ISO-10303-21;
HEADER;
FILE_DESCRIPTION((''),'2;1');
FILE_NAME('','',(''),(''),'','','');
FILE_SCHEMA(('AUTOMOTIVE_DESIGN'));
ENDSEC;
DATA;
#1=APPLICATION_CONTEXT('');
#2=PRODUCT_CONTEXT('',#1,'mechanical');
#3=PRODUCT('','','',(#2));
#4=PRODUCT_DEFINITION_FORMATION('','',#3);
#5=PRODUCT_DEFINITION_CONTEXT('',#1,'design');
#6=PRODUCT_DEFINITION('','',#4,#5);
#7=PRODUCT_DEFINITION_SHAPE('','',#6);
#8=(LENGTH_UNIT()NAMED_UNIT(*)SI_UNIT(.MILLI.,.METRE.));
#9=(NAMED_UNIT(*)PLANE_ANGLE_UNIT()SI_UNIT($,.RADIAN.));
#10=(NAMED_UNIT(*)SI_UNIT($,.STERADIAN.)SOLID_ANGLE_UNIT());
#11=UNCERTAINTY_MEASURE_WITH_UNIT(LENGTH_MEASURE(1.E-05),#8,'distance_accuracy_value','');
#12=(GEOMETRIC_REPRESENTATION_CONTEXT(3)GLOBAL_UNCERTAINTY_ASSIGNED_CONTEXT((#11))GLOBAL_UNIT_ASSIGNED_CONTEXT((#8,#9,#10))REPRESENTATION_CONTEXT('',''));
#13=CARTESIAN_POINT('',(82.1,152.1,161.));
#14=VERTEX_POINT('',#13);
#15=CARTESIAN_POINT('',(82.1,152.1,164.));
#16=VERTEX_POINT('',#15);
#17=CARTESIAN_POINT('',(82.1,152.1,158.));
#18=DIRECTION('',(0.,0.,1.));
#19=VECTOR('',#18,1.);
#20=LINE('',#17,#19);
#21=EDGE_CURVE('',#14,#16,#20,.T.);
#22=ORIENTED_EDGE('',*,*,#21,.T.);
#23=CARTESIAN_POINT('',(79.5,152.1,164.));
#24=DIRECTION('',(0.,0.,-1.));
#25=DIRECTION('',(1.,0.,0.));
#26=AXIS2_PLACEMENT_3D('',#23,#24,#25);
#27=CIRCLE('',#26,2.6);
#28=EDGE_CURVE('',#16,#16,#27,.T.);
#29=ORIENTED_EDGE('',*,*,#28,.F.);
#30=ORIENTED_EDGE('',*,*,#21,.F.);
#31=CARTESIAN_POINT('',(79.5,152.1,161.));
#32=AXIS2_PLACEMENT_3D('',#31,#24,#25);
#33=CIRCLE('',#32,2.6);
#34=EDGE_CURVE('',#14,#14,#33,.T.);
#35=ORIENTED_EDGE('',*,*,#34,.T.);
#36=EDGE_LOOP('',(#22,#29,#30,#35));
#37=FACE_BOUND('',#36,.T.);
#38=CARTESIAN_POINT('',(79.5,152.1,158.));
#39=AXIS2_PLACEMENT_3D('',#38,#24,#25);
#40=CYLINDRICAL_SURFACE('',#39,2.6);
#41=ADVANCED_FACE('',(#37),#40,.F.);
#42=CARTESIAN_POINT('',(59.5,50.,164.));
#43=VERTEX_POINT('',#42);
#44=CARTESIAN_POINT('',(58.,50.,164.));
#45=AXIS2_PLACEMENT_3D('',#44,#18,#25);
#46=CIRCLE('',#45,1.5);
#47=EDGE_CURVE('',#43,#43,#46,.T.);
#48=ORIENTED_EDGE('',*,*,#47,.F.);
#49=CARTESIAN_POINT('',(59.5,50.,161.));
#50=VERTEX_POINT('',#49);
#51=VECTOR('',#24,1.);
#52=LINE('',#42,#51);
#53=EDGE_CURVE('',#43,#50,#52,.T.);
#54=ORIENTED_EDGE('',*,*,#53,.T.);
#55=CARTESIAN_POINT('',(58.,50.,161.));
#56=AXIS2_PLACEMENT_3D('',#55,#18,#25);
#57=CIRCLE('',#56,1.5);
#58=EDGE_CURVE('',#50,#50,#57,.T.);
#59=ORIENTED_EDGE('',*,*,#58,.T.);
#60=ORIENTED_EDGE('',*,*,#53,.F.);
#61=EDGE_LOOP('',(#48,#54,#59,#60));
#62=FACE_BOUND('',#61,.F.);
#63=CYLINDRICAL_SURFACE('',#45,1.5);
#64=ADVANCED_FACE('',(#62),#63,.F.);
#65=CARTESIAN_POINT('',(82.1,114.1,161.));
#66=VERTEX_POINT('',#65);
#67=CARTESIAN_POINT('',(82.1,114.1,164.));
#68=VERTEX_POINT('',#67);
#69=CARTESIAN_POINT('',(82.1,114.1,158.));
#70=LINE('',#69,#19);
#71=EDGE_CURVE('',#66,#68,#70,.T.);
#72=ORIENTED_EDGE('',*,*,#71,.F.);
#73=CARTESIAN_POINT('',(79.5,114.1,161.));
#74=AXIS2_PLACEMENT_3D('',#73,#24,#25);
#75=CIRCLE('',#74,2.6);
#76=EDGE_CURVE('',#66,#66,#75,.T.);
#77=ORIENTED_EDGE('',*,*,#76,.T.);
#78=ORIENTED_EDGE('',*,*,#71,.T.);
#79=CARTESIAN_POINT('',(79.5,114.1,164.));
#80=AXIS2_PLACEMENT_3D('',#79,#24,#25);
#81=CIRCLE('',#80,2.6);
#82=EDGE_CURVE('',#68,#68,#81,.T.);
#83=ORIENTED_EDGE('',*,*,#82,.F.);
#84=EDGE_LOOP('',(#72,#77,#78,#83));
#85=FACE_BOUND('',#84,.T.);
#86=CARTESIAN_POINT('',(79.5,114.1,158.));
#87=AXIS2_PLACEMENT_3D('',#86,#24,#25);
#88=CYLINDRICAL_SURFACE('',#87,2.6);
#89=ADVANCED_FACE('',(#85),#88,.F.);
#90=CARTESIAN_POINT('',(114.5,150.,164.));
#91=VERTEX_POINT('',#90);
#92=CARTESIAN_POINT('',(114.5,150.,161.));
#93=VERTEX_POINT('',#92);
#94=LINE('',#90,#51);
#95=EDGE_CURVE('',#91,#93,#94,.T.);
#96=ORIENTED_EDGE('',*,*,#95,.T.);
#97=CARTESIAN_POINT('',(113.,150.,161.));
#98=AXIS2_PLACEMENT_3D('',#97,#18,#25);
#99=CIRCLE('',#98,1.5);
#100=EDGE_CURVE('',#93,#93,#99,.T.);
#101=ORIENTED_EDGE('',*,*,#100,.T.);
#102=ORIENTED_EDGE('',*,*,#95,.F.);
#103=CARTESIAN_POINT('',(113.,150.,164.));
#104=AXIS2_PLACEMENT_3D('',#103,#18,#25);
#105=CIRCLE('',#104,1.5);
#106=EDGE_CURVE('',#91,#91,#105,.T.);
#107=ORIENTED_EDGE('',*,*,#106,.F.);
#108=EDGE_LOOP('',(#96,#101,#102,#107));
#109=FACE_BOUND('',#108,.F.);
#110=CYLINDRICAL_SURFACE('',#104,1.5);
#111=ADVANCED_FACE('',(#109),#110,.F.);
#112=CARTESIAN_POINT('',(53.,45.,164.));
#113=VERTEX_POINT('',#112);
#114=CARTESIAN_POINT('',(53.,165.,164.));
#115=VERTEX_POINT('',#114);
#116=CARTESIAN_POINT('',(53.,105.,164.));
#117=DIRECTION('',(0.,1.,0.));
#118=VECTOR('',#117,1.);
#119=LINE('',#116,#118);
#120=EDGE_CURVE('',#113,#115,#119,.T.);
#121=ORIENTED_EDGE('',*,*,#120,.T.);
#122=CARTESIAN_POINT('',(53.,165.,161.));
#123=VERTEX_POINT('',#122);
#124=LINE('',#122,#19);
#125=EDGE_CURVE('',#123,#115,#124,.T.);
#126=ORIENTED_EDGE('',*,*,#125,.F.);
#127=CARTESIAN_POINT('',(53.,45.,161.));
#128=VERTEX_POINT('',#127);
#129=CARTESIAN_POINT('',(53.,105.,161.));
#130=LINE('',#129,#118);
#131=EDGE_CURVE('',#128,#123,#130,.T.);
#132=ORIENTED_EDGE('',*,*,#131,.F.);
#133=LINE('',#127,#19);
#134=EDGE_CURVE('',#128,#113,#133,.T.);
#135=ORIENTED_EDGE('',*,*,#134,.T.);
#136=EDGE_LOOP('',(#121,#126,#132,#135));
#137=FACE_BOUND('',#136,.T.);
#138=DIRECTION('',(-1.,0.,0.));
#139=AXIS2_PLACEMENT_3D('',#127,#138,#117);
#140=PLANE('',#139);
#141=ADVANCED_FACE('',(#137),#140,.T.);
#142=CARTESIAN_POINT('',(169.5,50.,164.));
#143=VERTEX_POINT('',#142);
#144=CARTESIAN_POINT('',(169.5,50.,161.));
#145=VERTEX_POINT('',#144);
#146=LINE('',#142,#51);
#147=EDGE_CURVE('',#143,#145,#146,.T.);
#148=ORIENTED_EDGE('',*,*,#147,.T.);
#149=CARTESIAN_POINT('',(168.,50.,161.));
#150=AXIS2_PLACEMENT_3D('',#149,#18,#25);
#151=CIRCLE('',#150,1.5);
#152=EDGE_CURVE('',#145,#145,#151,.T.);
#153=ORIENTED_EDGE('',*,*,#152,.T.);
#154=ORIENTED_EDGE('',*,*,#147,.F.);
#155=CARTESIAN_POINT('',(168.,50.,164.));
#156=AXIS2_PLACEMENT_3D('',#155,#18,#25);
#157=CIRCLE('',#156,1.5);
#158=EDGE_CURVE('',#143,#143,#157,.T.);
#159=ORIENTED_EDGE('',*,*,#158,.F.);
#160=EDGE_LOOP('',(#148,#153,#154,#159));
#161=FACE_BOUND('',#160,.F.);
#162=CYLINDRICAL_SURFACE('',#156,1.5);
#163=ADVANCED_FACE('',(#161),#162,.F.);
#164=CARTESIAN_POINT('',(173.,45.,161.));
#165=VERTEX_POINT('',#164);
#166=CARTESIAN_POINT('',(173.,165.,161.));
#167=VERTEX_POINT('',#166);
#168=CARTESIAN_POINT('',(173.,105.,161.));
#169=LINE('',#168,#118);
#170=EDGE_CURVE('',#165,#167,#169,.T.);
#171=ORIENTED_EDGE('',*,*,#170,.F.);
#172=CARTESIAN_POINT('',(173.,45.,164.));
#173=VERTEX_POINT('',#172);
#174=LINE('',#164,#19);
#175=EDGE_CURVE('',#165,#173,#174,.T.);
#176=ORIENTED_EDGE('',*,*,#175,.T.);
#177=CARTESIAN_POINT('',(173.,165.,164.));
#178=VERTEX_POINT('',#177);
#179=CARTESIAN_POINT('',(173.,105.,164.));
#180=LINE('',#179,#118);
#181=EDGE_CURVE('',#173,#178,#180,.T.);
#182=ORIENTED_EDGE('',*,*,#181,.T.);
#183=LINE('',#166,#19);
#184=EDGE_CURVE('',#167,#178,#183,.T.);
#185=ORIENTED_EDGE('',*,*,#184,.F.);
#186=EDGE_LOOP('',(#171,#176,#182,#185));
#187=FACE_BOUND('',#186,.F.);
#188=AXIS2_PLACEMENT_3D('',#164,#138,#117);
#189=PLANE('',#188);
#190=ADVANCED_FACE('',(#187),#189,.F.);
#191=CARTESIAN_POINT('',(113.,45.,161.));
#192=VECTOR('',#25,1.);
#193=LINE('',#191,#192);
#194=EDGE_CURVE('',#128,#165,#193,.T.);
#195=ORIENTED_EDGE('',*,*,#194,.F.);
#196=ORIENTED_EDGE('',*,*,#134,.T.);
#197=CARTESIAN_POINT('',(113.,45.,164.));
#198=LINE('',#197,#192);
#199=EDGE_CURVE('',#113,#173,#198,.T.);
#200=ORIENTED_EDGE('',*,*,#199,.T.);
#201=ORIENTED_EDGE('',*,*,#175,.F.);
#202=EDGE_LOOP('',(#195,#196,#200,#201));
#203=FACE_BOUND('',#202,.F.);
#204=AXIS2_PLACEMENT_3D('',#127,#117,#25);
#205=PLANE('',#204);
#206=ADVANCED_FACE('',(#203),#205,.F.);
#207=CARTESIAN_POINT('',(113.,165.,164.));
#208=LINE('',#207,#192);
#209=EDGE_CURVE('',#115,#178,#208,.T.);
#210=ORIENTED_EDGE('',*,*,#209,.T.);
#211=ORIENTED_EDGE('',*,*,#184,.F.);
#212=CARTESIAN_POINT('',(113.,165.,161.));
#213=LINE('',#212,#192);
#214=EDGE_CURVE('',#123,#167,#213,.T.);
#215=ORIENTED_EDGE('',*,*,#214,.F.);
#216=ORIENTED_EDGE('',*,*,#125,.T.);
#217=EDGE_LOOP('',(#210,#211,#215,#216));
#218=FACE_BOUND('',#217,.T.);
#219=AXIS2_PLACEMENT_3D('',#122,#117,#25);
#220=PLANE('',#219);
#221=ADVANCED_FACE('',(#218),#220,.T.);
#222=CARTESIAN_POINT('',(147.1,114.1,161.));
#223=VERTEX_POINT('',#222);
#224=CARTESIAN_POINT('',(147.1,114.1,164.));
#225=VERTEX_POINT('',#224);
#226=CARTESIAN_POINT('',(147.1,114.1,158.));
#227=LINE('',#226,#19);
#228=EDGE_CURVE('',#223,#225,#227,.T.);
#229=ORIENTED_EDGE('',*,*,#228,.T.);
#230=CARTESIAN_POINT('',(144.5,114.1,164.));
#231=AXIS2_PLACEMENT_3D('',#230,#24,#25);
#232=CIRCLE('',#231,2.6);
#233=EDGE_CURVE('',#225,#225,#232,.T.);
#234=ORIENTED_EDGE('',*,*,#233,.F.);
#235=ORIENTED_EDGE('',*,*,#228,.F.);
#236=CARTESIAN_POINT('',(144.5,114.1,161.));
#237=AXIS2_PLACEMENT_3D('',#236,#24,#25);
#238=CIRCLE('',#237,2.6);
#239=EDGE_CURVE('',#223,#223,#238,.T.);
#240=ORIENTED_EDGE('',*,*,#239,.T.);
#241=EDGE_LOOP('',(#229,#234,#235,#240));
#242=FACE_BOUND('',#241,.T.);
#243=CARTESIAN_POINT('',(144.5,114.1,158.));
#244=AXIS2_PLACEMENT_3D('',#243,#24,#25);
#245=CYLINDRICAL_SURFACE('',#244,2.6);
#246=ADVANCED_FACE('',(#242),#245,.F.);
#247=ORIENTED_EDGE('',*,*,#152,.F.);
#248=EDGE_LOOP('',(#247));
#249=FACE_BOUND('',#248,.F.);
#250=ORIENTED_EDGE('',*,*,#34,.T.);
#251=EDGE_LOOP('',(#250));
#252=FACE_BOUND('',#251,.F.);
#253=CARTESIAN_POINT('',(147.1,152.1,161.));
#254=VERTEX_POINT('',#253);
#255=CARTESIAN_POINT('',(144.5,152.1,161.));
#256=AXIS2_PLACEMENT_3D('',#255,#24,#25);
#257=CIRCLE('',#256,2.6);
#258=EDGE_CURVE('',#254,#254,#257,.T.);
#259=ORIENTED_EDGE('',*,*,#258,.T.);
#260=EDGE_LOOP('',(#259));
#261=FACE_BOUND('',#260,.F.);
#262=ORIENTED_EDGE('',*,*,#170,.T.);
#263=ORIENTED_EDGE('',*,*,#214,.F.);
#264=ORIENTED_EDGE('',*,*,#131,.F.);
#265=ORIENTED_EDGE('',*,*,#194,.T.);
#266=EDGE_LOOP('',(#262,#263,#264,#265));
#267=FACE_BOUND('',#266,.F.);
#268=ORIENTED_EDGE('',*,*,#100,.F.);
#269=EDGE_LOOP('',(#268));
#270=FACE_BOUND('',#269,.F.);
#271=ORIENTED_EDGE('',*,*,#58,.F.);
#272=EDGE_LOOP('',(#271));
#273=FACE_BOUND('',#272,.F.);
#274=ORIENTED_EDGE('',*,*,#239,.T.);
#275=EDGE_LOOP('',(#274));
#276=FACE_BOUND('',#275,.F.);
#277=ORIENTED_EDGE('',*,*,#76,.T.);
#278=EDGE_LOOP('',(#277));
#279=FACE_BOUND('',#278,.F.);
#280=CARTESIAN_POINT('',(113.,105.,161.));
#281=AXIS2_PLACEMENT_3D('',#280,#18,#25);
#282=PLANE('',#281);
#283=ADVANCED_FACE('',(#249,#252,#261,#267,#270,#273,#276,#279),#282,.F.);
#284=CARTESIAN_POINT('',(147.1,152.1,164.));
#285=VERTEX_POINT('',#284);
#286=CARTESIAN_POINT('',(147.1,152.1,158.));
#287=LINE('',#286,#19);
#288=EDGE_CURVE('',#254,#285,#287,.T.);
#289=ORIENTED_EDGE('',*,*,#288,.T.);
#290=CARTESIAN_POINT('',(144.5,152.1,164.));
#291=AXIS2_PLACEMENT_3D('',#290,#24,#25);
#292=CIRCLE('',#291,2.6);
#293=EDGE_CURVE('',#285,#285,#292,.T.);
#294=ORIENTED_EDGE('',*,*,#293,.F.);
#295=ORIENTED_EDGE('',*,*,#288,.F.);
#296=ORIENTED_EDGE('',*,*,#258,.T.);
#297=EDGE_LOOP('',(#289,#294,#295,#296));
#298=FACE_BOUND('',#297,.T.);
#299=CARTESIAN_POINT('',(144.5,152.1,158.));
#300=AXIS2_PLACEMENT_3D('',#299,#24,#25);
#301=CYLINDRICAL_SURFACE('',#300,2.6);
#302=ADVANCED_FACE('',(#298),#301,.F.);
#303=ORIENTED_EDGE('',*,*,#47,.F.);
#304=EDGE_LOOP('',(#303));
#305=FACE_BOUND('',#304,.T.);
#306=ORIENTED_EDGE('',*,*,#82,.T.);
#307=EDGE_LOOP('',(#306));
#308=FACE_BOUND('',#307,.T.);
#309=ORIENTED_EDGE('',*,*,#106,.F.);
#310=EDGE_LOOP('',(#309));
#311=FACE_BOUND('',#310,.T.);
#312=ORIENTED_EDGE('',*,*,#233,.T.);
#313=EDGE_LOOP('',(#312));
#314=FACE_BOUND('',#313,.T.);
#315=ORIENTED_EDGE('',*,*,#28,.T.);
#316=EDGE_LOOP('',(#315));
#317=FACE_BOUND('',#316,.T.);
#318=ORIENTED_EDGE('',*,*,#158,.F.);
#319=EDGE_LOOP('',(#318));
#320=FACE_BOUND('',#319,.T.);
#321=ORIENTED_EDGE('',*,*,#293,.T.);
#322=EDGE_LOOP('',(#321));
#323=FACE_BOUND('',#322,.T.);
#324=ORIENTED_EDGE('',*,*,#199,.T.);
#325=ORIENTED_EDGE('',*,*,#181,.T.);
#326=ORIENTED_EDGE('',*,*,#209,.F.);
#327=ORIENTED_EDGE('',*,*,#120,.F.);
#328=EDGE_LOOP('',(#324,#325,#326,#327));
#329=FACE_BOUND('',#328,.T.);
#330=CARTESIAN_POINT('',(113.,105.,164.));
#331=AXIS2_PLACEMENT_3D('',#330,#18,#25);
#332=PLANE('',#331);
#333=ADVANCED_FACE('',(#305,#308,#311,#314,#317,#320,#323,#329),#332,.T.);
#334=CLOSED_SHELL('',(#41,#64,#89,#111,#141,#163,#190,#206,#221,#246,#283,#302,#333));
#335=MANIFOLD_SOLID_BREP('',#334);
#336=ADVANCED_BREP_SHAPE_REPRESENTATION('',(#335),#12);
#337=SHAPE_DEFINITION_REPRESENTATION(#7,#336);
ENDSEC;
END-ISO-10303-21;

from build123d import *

# Parameters (mm, degrees)
CYLINDER018_R     = 2.6
CYLINDER018_DEPTH = 10
CYLINDER019_R     = 2.6
CYLINDER019_DEPTH = 10
CYLINDER017_R     = 2.6
CYLINDER017_DEPTH = 10
CYLINDER016_R     = 2.6
CYLINDER016_DEPTH = 10
BOX_W             = 120
BOX_H             = 120
BOX_DEPTH         = 3
SKETCH001_R       = 1.5
POCKET007_DEPTH   = 3.001


with BuildPart() as cilindro010:
    # Cylinder018 → Cylinder018 (new body)
    with BuildSketch(Plane(origin=(144.5, 152.1, 158), x_dir=(1, 0, 0), z_dir=(0, 0, 1))):
        Circle(CYLINDER018_R)
    extrude(amount=CYLINDER018_DEPTH)


with BuildPart() as cilindro011:
    # Cylinder019 → Cylinder019 (new body)
    with BuildSketch(Plane(origin=(79.5, 152.1, 158), x_dir=(1, 0, 0), z_dir=(0, 0, 1))):
        Circle(CYLINDER019_R)
    extrude(amount=CYLINDER019_DEPTH)


with BuildPart() as cilindro009:
    # Cylinder017 → Cylinder017 (new body)
    with BuildSketch(Plane(origin=(144.5, 114.1, 158), x_dir=(1, 0, 0), z_dir=(0, 0, 1))):
        Circle(CYLINDER017_R)
    extrude(amount=CYLINDER017_DEPTH)


with BuildPart() as cilindro008:
    # Cylinder016 → Cylinder016 (new body)
    with BuildSketch(Plane(origin=(79.5, 114.1, 158), x_dir=(1, 0, 0), z_dir=(0, 0, 1))):
        Circle(CYLINDER016_R)
    extrude(amount=CYLINDER016_DEPTH)


with BuildPart() as mesainf:
    # Box → Box (new body)
    with BuildSketch(Plane(origin=(53, 45, 161), x_dir=(1, 0, 0), z_dir=(0, 0, 1))):
        with Locations((60, 60)):
            Rectangle(BOX_W, BOX_H)
    extrude(amount=BOX_DEPTH)

    # Cut008: cut Cilindro008
    add(cilindro008.part, mode=Mode.SUBTRACT)

    # Cut009: cut Cilindro009
    add(cilindro009.part, mode=Mode.SUBTRACT)

    # Cut010: cut Cilindro011
    add(cilindro011.part, mode=Mode.SUBTRACT)

    # Cut011: cut Cilindro010
    add(cilindro010.part, mode=Mode.SUBTRACT)

    # Sketch001 → Pocket007 (cut, through all)
    with BuildSketch(Plane.XY.offset(164)):
        with Locations((58, 50)):
            Circle(SKETCH001_R)
        with Locations((168, 50)):
            Circle(SKETCH001_R)
        with Locations((113, 150)):
            Circle(SKETCH001_R)
    extrude(amount=-POCKET007_DEPTH, mode=Mode.SUBTRACT)


solid = mesainf.part
